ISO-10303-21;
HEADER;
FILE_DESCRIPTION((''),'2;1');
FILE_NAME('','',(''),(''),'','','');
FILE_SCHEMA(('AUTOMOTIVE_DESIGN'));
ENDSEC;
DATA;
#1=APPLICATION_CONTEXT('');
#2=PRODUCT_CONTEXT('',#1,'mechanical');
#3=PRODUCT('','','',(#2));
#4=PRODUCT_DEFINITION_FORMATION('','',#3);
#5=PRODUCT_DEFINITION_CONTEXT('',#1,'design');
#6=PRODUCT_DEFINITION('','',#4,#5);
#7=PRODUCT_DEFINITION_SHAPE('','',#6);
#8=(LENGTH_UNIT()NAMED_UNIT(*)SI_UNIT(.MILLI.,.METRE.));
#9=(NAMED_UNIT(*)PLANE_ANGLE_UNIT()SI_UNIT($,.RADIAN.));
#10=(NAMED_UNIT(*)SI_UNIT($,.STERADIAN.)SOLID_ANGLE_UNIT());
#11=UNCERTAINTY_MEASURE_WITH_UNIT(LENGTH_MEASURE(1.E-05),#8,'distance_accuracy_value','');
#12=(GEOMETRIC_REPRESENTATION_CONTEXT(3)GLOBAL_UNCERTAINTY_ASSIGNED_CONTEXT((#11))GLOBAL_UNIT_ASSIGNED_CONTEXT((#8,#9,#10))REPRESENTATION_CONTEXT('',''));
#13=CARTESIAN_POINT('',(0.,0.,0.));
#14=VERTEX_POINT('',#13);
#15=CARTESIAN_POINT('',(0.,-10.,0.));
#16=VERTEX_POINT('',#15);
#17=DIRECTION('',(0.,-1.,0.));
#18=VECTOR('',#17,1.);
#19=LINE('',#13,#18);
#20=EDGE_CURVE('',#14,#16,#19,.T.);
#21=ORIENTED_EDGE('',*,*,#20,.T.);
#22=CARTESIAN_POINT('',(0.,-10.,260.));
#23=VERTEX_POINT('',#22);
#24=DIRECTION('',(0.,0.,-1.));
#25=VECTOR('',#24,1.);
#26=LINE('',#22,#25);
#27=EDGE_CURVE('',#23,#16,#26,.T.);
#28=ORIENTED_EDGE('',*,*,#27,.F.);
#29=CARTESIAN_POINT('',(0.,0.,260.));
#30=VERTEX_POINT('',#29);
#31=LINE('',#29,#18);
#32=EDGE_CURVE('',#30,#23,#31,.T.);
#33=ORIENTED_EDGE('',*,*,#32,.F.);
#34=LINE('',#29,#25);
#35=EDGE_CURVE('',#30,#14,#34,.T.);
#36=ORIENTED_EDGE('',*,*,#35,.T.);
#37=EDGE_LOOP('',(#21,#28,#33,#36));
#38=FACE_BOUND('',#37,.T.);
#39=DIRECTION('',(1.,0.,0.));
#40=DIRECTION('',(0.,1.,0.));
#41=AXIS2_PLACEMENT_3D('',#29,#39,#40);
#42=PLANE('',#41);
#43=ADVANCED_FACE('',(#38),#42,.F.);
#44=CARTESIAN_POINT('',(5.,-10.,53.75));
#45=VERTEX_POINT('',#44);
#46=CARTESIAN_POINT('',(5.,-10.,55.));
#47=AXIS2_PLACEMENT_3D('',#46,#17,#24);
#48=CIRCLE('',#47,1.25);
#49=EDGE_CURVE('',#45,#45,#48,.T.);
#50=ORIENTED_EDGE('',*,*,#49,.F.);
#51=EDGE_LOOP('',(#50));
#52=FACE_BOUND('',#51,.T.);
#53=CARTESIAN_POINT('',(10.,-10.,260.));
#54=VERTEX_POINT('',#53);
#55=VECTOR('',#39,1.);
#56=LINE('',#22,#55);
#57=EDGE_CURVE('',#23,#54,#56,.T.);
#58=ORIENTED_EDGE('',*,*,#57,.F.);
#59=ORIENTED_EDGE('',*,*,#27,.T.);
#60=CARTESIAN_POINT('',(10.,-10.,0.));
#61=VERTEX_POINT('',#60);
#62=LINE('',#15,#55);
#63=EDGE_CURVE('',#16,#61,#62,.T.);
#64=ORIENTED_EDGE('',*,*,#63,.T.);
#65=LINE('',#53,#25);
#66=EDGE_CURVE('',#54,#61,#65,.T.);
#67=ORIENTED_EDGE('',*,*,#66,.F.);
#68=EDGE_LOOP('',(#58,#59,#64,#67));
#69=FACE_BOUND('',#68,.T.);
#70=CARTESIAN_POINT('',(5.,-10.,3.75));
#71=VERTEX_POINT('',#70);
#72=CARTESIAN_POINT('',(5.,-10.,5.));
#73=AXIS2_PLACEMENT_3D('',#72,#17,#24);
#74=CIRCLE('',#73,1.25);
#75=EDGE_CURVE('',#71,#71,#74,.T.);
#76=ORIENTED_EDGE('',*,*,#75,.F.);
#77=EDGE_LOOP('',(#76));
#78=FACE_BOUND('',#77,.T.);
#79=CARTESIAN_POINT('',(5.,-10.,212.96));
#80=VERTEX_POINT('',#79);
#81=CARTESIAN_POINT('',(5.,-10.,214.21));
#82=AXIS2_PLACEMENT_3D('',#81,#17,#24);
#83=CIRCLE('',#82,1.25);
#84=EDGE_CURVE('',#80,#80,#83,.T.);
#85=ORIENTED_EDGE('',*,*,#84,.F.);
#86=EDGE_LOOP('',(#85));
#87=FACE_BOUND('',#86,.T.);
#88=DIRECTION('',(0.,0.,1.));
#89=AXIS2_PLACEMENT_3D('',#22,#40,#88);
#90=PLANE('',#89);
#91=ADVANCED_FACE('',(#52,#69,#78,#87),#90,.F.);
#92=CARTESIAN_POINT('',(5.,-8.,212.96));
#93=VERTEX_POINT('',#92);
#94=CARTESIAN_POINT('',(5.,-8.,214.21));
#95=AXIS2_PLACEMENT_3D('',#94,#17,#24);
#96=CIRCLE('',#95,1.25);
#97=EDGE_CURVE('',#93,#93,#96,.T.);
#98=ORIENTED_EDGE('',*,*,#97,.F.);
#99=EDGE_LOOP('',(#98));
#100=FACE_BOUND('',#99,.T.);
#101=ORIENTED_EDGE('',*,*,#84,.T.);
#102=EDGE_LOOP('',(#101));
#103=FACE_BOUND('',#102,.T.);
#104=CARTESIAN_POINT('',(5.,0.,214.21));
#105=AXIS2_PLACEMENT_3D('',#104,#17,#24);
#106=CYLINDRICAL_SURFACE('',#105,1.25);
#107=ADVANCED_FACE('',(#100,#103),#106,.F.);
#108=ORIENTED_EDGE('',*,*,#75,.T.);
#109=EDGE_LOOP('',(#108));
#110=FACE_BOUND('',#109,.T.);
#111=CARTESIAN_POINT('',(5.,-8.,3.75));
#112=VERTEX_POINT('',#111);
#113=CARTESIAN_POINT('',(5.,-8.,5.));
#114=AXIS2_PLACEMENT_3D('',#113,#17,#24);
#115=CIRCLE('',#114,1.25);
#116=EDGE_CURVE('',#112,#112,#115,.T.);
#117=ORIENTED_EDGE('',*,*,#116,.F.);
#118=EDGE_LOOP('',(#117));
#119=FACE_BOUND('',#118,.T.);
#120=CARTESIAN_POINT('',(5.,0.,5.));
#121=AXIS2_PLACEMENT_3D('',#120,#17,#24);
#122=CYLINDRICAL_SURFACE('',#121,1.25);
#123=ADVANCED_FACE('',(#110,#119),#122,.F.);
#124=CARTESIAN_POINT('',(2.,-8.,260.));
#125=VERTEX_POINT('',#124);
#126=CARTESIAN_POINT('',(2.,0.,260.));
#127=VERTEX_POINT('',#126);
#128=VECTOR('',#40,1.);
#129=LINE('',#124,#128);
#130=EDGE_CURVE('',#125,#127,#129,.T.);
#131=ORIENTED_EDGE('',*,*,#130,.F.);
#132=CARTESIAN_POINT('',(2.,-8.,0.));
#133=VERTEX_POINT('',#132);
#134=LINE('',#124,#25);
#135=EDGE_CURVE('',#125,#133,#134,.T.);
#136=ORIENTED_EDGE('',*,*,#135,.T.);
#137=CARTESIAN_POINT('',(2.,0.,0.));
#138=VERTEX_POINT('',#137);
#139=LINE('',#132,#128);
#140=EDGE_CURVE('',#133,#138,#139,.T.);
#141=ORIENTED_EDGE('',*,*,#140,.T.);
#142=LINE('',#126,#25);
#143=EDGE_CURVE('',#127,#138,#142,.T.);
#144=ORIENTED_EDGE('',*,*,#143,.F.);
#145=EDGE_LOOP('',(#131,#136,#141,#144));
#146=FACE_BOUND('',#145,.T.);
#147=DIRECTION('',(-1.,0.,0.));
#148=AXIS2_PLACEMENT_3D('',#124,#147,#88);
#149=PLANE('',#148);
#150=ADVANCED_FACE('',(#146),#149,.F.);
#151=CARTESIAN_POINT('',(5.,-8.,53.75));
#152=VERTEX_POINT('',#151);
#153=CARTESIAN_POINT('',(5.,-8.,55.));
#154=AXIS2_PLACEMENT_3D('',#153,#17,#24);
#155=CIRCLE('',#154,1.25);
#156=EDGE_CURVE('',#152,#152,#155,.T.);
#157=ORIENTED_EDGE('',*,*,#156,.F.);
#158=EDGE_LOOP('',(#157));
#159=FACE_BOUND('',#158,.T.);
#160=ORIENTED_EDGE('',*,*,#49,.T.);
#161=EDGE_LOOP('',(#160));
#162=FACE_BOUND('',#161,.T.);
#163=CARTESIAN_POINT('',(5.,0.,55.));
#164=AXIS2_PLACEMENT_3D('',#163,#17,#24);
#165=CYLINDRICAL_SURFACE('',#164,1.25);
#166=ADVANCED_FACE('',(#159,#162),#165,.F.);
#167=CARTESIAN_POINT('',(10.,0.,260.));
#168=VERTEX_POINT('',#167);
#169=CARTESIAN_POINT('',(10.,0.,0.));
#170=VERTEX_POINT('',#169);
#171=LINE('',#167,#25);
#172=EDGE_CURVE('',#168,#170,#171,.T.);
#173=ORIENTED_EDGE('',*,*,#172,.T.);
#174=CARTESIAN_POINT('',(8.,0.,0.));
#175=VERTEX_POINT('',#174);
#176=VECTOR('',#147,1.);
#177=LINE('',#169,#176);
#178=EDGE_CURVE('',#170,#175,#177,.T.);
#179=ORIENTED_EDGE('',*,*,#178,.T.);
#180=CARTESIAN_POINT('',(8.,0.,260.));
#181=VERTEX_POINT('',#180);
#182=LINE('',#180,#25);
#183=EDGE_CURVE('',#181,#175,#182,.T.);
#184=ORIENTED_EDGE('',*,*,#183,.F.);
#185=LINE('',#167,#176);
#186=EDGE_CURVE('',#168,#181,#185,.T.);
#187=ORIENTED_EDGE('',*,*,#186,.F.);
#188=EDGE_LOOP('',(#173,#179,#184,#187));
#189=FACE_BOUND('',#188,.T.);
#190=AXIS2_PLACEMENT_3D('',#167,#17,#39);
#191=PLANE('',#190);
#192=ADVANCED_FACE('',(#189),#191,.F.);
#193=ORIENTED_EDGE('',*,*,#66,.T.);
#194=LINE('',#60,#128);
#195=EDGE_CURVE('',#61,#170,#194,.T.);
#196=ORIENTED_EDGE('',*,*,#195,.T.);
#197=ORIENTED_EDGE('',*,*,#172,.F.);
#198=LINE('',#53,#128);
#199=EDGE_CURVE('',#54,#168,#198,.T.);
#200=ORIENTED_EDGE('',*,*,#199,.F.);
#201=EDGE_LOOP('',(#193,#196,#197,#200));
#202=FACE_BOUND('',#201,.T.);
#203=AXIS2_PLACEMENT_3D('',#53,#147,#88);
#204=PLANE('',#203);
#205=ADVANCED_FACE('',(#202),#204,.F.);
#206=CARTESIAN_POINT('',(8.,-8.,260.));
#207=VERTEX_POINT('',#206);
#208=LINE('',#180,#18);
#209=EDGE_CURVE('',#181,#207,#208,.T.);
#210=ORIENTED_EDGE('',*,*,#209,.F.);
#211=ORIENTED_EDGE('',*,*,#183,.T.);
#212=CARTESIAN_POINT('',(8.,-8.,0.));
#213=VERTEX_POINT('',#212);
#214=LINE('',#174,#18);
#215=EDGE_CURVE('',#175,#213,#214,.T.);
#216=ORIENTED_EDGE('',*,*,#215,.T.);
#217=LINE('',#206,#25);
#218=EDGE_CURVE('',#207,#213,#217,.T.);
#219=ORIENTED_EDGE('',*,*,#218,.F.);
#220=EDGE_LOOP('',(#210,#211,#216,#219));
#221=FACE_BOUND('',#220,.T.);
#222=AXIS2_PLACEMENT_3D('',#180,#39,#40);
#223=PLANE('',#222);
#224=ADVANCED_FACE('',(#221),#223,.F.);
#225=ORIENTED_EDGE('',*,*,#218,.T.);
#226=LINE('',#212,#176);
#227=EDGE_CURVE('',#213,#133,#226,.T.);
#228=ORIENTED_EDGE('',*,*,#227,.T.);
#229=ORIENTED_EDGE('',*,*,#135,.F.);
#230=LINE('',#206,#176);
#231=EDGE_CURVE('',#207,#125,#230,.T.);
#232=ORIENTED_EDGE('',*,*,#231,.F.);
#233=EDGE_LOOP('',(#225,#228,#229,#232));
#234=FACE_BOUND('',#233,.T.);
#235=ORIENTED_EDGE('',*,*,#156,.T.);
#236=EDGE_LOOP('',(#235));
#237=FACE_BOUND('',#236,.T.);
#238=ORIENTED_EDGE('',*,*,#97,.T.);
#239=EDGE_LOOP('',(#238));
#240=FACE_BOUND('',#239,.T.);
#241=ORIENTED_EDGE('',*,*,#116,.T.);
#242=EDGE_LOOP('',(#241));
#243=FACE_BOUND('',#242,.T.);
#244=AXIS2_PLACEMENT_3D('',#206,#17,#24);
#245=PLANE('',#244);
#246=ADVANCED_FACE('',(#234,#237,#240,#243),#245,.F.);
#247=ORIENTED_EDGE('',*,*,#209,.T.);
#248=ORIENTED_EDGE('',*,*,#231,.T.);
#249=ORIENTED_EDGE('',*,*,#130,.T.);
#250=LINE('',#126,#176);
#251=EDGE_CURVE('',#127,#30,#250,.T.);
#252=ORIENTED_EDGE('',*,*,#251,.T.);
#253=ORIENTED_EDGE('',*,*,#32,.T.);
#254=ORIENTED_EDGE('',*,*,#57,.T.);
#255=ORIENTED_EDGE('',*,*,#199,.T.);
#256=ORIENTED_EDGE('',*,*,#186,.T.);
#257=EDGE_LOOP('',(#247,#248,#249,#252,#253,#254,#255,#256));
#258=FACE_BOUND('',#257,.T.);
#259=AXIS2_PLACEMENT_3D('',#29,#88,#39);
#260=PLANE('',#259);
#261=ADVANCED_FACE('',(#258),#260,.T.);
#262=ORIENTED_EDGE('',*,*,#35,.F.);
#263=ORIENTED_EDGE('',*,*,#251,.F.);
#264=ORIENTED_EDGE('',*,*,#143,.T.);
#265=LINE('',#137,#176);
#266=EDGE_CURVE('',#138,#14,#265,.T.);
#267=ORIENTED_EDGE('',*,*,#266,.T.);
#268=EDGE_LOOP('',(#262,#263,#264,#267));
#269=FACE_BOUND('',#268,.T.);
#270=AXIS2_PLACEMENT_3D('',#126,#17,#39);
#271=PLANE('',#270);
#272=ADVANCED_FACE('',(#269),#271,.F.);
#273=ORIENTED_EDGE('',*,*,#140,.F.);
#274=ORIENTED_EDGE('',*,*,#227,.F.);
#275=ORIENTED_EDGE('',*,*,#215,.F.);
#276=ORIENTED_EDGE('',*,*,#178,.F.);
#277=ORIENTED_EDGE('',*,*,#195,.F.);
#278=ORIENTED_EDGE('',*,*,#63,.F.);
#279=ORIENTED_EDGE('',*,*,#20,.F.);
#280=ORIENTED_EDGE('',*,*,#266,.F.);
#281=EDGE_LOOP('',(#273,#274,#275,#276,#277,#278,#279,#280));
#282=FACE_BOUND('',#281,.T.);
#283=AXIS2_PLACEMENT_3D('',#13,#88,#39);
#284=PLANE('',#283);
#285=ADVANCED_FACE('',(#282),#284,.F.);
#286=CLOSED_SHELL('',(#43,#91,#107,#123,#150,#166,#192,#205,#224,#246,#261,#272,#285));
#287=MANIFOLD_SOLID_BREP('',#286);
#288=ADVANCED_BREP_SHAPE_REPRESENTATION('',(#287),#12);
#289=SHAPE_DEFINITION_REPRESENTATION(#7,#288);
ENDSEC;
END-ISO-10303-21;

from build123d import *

# Parameters (mm, degrees)
BOSS_EXTRU_1_DEPTH      = 260
ESQUISSE2_R             = 1.25
ENL_V_MAT_EXTRU_1_DEPTH = 10
ESQUISSE3_R             = 1.25
ENL_V_MAT_EXTRU_2_DEPTH = 10


with BuildPart() as part:
    # Esquisse1 → Boss.-Extru.1 (new body)
    with BuildSketch(Plane.XY):
        Polygon((0, 0), (0, -10), (10, -10), (10, 0), (8, 0), (8, -8), (2, -8), (2, 0), align=None)
    extrude(amount=BOSS_EXTRU_1_DEPTH)

    # Esquisse2 → Enlèv. mat.-Extru.1 (cut)
    with BuildSketch(Plane.XZ.offset(10)):
        with Locations(Location((5, 214.21, 0), (0, 0, 270))):
            Circle(ESQUISSE2_R)
    extrude(amount=-ENL_V_MAT_EXTRU_1_DEPTH, mode=Mode.SUBTRACT)

    # Esquisse3 → Enlèv. mat.-Extru.2 (cut)
    with BuildSketch(Plane(origin=(0, -10, 0), x_dir=(-1, 0, 0), z_dir=(0, -1, 0))):
        with Locations(Location((-5, -5, 0), (0, 0, 90))):
            Circle(ESQUISSE3_R)
        with Locations(Location((-5, -55, 0), (0, 0, 90))):
            Circle(ESQUISSE3_R)
    extrude(amount=-ENL_V_MAT_EXTRU_2_DEPTH, mode=Mode.SUBTRACT)


solid = part.part
